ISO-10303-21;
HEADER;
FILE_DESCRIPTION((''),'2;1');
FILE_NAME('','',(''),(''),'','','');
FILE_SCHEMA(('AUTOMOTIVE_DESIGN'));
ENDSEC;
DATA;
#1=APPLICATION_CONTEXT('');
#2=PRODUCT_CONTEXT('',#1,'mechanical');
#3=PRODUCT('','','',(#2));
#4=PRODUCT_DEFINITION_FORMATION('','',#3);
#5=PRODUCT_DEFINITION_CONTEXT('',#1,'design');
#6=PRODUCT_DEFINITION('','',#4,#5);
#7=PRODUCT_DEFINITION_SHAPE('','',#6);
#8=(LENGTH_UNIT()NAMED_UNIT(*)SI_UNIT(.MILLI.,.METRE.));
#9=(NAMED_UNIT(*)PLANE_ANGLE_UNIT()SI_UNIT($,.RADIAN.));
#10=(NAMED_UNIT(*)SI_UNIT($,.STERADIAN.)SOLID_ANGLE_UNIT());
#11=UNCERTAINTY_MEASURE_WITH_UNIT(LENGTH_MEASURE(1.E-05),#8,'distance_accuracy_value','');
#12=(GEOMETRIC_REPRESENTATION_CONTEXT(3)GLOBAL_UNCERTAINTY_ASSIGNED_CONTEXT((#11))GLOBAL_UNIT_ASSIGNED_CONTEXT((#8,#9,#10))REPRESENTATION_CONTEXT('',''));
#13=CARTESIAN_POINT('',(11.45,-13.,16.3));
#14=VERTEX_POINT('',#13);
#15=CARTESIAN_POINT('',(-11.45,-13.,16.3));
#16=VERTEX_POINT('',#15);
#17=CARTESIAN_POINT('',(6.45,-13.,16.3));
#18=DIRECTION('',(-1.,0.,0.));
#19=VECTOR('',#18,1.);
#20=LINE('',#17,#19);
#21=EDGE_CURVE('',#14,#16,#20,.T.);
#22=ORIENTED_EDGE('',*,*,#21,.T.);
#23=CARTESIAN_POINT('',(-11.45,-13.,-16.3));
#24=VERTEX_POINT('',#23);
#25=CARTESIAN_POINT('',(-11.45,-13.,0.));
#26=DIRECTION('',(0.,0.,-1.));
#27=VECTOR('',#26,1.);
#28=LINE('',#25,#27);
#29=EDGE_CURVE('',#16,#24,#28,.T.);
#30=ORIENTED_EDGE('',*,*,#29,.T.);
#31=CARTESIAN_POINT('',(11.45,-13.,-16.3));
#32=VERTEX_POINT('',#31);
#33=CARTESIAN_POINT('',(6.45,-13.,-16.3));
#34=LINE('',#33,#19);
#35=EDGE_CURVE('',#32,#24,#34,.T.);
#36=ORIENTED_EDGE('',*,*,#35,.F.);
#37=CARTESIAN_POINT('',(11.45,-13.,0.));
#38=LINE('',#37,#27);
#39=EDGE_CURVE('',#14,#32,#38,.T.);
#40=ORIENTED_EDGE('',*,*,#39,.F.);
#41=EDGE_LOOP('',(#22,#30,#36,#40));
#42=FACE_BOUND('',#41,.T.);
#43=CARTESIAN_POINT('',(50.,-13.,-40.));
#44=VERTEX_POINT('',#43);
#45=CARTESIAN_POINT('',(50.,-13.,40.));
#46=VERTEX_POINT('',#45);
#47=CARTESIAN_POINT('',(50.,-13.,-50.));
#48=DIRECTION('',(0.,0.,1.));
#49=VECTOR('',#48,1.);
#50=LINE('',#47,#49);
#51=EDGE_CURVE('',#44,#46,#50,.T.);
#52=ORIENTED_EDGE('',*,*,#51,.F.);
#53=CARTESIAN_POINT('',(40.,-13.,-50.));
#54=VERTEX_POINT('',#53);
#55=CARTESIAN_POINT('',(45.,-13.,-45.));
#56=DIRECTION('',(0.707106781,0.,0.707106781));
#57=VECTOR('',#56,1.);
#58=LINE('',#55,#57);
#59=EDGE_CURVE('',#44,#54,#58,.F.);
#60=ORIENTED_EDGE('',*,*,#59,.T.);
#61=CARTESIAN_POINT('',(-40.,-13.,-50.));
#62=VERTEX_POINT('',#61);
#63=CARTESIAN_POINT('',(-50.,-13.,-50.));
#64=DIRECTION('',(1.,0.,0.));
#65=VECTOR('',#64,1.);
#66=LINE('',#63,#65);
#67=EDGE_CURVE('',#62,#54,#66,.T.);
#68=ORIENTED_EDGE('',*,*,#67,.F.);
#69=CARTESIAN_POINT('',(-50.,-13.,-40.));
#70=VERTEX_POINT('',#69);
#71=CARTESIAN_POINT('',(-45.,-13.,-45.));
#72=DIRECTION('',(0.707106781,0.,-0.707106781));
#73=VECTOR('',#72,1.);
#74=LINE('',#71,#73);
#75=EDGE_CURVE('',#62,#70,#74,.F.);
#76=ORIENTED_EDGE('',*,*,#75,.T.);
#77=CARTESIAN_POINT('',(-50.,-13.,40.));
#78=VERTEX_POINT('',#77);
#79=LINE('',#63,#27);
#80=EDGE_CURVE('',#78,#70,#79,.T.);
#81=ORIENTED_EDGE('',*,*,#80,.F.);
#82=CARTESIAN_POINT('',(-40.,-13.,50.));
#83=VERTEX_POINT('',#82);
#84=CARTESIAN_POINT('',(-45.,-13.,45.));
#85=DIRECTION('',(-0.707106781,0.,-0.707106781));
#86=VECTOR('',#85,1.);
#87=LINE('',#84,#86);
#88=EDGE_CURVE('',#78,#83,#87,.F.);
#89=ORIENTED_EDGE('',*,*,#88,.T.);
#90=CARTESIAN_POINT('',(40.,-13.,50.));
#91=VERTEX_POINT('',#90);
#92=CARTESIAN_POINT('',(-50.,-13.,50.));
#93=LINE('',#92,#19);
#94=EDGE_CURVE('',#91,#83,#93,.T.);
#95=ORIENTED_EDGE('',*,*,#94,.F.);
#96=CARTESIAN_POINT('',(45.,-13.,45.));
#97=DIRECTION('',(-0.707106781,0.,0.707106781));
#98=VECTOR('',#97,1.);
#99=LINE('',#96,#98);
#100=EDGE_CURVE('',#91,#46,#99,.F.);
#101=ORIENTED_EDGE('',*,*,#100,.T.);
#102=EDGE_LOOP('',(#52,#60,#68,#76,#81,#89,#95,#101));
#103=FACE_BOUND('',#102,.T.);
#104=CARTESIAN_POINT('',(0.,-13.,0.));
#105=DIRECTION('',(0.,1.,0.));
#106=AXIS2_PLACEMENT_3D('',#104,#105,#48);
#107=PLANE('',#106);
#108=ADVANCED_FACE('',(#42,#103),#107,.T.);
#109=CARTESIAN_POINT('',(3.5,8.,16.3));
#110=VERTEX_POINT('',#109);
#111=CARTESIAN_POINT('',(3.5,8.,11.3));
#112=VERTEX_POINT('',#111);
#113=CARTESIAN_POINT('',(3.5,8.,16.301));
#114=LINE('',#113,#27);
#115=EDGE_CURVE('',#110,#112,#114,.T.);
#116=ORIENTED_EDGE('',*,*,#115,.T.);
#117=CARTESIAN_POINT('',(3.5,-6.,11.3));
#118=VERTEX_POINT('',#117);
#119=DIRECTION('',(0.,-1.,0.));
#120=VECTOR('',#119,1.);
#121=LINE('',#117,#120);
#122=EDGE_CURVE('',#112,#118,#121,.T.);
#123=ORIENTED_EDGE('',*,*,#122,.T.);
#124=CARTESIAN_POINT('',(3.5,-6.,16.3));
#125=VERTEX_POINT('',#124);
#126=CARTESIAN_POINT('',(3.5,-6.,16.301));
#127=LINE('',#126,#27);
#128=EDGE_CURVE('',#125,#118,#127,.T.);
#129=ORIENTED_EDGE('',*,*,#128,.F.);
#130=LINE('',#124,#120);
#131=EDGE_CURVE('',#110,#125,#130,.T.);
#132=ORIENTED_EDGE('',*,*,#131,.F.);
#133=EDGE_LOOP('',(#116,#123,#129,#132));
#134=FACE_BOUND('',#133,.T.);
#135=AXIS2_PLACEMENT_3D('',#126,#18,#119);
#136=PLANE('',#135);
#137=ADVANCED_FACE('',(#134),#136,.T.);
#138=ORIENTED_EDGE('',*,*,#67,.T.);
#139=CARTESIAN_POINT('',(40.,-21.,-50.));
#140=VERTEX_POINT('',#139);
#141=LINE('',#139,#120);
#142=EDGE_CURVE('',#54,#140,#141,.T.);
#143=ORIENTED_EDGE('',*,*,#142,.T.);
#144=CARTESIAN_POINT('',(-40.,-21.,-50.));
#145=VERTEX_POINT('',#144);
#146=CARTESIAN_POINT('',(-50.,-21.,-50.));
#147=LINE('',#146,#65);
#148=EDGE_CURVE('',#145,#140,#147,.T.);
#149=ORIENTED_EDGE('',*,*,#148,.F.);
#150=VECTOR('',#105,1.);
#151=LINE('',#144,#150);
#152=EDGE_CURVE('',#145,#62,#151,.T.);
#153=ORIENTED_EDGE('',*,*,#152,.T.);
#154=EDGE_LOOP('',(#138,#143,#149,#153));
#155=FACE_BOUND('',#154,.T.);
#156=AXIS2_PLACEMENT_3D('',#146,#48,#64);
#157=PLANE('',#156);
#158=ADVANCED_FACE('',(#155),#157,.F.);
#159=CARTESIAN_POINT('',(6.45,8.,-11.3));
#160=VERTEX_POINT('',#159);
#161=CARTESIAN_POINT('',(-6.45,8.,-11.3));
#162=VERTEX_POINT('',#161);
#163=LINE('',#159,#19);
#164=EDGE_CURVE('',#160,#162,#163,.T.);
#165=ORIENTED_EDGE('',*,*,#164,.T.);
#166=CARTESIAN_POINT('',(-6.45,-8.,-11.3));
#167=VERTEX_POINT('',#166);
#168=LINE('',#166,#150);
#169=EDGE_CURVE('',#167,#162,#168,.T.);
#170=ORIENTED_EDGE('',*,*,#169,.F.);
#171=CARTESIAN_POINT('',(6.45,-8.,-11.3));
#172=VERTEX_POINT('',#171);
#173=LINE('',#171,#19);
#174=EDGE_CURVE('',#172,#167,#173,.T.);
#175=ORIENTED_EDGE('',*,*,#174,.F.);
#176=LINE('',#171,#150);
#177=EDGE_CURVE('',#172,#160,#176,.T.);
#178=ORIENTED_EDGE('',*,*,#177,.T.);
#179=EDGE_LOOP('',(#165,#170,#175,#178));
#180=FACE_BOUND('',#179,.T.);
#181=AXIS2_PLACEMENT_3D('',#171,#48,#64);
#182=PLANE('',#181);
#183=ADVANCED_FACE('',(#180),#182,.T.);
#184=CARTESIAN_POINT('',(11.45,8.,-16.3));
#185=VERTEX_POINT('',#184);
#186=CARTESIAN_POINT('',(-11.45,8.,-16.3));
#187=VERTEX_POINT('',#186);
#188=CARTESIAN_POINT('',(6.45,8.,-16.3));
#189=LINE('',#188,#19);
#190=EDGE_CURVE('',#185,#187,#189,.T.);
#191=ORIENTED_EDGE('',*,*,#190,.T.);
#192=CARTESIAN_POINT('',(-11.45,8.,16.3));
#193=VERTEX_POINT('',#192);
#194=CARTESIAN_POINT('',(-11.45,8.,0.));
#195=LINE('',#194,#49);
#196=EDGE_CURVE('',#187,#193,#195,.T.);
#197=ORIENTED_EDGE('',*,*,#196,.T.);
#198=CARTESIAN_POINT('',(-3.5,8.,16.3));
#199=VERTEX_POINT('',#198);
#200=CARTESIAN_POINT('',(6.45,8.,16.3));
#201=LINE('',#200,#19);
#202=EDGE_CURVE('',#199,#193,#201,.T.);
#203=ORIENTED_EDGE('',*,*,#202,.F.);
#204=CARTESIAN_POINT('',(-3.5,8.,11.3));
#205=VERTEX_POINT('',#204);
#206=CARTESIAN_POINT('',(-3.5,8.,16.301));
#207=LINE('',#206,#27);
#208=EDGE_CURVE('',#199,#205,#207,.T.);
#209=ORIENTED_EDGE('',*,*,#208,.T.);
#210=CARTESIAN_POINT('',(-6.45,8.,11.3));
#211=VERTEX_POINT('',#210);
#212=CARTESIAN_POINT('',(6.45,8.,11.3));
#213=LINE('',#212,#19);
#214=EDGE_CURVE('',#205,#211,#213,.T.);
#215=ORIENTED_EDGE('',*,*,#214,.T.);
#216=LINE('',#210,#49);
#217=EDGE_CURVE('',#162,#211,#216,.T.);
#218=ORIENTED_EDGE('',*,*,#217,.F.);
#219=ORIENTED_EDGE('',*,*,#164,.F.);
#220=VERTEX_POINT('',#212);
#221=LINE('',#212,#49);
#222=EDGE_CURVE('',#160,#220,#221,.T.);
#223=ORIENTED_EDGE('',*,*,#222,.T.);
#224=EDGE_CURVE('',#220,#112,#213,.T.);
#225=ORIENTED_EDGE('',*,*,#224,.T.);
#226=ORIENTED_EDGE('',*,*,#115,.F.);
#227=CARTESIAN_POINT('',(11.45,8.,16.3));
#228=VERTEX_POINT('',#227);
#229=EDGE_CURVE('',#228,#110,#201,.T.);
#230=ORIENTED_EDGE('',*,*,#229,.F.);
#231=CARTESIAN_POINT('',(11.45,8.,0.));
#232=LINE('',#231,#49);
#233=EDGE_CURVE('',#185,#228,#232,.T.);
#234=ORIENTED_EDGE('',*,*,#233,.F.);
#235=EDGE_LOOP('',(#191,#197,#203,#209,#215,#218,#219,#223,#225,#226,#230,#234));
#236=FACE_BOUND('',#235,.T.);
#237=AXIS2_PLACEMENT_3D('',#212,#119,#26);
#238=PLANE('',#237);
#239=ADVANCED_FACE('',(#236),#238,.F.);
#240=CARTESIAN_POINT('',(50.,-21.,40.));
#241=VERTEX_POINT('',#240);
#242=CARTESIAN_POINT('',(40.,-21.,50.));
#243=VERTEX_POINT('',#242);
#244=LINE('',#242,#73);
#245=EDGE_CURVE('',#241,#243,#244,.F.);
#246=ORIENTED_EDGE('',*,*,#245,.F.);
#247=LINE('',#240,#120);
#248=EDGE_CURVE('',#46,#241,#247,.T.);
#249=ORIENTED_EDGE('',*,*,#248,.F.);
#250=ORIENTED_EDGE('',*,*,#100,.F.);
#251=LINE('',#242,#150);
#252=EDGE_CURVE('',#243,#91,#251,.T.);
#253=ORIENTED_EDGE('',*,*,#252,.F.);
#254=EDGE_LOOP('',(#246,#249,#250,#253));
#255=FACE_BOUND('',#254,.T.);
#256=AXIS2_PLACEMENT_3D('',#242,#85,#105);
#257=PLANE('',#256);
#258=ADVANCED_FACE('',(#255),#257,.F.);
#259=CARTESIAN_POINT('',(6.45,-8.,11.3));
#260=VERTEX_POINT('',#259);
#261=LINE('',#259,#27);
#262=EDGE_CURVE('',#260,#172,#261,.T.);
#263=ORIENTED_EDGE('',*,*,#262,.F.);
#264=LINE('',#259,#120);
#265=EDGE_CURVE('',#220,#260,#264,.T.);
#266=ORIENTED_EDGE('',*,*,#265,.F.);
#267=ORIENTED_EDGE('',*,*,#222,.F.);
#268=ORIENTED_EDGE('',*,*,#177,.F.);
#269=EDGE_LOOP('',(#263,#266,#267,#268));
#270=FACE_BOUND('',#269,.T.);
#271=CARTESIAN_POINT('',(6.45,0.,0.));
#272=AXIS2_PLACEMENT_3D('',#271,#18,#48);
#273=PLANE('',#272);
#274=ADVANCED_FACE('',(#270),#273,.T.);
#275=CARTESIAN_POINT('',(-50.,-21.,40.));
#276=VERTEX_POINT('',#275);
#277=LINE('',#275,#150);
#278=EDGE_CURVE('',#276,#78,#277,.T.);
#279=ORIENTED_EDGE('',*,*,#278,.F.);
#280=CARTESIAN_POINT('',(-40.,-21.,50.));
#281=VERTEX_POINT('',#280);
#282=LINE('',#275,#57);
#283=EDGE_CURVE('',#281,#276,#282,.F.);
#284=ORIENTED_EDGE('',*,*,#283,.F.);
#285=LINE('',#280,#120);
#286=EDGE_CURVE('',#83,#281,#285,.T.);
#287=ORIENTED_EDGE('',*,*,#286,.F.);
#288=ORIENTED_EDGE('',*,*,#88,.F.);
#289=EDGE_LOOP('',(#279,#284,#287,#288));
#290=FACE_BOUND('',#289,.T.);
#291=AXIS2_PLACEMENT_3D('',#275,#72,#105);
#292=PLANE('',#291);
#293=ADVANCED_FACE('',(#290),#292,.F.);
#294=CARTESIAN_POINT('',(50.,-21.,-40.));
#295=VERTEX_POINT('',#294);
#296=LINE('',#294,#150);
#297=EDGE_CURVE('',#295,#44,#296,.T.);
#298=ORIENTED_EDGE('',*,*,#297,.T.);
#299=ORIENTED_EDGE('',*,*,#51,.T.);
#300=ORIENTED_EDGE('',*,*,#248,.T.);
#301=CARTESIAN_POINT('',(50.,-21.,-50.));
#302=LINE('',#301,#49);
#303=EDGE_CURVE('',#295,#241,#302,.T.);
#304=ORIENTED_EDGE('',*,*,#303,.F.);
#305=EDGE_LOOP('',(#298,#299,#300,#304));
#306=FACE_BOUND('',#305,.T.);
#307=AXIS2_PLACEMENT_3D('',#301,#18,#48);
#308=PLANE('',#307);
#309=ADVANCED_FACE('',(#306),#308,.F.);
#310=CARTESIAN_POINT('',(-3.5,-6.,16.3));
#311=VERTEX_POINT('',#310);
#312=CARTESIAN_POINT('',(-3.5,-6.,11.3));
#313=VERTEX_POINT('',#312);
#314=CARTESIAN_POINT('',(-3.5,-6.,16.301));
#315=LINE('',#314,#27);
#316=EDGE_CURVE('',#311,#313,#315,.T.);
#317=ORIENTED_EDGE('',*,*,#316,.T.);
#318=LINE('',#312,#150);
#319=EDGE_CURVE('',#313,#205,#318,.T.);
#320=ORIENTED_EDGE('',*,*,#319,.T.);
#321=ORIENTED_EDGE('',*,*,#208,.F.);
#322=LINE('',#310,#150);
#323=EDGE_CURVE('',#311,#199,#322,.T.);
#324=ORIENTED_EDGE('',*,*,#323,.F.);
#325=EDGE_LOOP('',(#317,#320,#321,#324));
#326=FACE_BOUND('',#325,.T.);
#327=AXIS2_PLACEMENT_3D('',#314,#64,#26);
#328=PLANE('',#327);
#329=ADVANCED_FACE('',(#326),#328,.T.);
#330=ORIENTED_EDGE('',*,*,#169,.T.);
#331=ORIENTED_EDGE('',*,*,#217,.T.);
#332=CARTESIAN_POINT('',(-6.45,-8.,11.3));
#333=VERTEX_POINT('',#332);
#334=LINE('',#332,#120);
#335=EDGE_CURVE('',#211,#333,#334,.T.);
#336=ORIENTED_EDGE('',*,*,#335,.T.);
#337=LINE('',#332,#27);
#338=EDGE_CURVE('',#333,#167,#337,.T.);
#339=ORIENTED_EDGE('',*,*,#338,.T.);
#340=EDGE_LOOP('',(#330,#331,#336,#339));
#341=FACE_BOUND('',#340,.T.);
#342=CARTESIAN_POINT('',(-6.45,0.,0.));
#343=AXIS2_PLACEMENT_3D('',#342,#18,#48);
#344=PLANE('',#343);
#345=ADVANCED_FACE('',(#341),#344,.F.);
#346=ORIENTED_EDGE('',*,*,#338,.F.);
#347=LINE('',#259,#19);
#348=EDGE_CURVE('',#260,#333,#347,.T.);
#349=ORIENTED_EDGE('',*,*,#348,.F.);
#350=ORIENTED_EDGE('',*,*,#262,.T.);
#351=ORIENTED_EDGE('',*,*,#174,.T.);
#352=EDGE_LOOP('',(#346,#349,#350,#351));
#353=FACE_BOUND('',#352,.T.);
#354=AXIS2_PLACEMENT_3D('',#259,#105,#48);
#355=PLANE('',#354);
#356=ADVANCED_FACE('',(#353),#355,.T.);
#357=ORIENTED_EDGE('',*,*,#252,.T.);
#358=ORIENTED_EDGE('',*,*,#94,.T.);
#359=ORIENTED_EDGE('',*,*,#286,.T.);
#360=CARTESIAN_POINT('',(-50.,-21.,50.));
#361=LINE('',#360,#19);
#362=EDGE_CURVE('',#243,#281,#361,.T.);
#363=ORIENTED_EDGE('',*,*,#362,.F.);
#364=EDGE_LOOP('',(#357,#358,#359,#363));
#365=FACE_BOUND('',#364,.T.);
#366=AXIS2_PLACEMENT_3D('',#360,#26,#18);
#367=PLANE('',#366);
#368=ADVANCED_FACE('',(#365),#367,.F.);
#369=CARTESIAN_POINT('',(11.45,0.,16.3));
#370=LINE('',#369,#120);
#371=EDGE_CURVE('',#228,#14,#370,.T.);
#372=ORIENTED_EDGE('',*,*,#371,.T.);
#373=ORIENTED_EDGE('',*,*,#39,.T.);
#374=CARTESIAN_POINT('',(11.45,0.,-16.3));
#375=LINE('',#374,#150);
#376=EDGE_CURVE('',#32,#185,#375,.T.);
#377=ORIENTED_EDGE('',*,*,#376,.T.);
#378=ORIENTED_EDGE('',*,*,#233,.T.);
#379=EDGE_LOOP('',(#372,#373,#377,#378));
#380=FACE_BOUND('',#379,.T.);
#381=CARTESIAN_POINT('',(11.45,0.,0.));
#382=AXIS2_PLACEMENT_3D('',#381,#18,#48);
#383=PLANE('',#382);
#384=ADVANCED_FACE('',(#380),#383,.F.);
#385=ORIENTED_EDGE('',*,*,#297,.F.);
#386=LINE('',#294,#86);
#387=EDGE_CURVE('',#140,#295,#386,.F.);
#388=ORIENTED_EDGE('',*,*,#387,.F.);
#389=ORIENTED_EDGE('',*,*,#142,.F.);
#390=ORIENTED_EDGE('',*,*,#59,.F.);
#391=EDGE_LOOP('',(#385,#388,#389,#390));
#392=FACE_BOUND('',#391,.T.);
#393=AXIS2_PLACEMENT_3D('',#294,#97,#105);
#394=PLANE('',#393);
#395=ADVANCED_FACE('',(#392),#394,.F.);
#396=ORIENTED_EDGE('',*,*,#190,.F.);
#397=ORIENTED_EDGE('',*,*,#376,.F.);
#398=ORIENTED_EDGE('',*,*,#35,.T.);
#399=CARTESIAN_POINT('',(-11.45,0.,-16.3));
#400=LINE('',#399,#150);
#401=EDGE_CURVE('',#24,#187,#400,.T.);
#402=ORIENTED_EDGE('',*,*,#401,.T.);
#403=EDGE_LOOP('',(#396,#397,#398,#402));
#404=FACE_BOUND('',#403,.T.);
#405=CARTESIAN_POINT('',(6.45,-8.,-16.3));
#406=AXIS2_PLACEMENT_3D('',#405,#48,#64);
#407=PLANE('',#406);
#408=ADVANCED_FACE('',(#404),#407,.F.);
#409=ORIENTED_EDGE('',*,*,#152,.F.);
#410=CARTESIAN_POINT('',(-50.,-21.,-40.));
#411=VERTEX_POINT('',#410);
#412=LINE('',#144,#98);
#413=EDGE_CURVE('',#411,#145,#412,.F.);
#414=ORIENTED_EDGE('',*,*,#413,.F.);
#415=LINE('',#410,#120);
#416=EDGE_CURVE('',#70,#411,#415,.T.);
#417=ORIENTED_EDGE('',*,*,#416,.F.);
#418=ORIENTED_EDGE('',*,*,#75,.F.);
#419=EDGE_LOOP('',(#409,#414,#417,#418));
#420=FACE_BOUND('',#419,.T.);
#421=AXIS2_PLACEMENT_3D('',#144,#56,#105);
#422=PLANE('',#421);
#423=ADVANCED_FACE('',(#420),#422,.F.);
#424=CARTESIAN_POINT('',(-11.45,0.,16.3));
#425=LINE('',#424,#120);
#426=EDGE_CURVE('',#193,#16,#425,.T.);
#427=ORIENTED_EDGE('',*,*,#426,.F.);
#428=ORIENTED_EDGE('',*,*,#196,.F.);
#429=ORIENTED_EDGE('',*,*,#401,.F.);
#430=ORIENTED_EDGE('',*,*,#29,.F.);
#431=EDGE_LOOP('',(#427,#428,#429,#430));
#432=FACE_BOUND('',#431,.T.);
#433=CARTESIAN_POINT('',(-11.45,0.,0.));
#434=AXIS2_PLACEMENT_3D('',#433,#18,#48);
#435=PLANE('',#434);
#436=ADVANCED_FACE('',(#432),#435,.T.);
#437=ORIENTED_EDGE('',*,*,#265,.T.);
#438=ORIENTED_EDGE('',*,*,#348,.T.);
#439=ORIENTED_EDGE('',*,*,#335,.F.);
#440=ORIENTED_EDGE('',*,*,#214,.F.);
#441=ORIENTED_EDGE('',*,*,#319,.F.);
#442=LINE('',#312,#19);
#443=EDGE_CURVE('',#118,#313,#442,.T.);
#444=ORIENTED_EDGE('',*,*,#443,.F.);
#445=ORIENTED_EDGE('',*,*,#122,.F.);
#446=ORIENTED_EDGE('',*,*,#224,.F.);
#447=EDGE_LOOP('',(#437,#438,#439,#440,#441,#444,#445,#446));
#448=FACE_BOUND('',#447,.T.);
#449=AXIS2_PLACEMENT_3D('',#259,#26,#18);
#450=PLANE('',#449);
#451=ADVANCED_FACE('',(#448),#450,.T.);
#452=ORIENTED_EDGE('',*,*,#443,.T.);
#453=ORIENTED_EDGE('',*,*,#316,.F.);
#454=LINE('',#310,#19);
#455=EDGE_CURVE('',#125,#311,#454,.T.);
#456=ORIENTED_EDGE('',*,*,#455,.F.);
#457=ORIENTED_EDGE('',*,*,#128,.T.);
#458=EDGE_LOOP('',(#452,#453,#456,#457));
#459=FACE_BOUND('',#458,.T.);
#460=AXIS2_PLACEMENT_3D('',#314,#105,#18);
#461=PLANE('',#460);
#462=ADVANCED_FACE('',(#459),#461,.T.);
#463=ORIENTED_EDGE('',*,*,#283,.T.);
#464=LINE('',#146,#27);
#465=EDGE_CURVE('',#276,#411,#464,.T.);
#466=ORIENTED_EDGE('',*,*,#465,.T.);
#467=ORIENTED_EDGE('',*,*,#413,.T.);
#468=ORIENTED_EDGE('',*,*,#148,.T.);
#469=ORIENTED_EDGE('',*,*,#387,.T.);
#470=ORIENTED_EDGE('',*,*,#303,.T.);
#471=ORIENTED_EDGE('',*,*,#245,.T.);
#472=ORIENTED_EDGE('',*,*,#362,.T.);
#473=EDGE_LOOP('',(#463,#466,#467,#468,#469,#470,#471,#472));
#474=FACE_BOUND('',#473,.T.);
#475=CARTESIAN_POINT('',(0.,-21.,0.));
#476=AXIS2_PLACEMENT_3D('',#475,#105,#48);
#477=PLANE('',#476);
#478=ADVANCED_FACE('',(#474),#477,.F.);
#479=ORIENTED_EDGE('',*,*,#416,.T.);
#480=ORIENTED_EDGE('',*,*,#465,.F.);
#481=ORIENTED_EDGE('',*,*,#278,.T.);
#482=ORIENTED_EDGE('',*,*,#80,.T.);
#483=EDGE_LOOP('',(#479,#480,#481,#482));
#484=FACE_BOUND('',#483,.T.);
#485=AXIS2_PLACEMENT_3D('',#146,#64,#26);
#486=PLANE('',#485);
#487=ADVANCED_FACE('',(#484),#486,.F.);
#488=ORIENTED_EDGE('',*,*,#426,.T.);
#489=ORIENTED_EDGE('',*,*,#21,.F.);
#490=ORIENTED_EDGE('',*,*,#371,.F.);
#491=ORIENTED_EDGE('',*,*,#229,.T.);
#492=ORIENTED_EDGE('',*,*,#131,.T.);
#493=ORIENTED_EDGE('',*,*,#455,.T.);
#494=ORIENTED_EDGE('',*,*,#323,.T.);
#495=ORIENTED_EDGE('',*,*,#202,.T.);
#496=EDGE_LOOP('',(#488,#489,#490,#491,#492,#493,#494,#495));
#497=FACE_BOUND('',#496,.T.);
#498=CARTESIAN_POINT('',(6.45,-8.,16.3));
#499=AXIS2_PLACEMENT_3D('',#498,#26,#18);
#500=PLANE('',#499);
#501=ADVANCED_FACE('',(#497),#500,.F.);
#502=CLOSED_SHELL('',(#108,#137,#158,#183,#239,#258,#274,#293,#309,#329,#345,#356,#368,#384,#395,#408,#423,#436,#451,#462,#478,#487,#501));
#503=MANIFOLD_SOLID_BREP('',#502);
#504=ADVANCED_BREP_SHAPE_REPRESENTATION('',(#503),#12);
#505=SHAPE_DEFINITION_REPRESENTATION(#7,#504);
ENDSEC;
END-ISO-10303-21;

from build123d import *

# Parameters (mm, degrees)
SKETCH1_W               = 22.6
SKETCH1_H               = 16
BASE_BLOCK_DEPTH        = 6.45
SHELL1_T                = 5
CABLE_PASSTHROUGH_REACH = 25.786
SKETCH2_W               = 7
SKETCH2_H               = 14
SKETCH3_W               = 100
SKETCH3_H               = 100
BASE_PLATE_DEPTH        = 8
CORNER_CHAMFER_SIZE     = 10


with BuildPart() as part:
    # Sketch1 → base block (new, symmetric)
    with BuildSketch(Plane(origin=(0, 0, 0), x_dir=(0, 0, -1), z_dir=(1, 0, 0))):
        Rectangle(SKETCH1_W, SKETCH1_H)
    extrude(amount=BASE_BLOCK_DEPTH, both=True)

    # Shell1
    shell1_openings = [part.faces().sort_by_distance(p)[0] for p in [
        (0, 8, 0),
    ]]
    offset(amount=SHELL1_T, openings=shell1_openings, kind=Kind.INTERSECTION)

    # Sketch2 → cable passthrough (cut, up to next)
    with BuildSketch(Plane.XY, mode=Mode.PRIVATE) as cable_passthrough_sk1:
        with Locations((0, 1)):
            Rectangle(SKETCH2_W, SKETCH2_H)
    cable_passthrough_tool1 = extrude(cable_passthrough_sk1.sketch, amount=CABLE_PASSTHROUGH_REACH, mode=Mode.PRIVATE) & part.part
    add(cable_passthrough_tool1.solids().sort_by_distance((0, 1, 0))[0], mode=Mode.SUBTRACT)

    # Sketch3 → base plate (add)
    with BuildSketch(Plane.XZ.offset(13)):
        Rectangle(SKETCH3_W, SKETCH3_H)
    extrude(amount=BASE_PLATE_DEPTH)

    # corner chamfer
    corner_chamfer_edges = [part.edges().sort_by_distance(p)[0] for p in [
        (50, -17, -50),
        (50, -17, 50),
        (-50, -17, 50),
        (-50, -17, -50),
    ]]
    chamfer(corner_chamfer_edges, length=CORNER_CHAMFER_SIZE)


solid = part.part
